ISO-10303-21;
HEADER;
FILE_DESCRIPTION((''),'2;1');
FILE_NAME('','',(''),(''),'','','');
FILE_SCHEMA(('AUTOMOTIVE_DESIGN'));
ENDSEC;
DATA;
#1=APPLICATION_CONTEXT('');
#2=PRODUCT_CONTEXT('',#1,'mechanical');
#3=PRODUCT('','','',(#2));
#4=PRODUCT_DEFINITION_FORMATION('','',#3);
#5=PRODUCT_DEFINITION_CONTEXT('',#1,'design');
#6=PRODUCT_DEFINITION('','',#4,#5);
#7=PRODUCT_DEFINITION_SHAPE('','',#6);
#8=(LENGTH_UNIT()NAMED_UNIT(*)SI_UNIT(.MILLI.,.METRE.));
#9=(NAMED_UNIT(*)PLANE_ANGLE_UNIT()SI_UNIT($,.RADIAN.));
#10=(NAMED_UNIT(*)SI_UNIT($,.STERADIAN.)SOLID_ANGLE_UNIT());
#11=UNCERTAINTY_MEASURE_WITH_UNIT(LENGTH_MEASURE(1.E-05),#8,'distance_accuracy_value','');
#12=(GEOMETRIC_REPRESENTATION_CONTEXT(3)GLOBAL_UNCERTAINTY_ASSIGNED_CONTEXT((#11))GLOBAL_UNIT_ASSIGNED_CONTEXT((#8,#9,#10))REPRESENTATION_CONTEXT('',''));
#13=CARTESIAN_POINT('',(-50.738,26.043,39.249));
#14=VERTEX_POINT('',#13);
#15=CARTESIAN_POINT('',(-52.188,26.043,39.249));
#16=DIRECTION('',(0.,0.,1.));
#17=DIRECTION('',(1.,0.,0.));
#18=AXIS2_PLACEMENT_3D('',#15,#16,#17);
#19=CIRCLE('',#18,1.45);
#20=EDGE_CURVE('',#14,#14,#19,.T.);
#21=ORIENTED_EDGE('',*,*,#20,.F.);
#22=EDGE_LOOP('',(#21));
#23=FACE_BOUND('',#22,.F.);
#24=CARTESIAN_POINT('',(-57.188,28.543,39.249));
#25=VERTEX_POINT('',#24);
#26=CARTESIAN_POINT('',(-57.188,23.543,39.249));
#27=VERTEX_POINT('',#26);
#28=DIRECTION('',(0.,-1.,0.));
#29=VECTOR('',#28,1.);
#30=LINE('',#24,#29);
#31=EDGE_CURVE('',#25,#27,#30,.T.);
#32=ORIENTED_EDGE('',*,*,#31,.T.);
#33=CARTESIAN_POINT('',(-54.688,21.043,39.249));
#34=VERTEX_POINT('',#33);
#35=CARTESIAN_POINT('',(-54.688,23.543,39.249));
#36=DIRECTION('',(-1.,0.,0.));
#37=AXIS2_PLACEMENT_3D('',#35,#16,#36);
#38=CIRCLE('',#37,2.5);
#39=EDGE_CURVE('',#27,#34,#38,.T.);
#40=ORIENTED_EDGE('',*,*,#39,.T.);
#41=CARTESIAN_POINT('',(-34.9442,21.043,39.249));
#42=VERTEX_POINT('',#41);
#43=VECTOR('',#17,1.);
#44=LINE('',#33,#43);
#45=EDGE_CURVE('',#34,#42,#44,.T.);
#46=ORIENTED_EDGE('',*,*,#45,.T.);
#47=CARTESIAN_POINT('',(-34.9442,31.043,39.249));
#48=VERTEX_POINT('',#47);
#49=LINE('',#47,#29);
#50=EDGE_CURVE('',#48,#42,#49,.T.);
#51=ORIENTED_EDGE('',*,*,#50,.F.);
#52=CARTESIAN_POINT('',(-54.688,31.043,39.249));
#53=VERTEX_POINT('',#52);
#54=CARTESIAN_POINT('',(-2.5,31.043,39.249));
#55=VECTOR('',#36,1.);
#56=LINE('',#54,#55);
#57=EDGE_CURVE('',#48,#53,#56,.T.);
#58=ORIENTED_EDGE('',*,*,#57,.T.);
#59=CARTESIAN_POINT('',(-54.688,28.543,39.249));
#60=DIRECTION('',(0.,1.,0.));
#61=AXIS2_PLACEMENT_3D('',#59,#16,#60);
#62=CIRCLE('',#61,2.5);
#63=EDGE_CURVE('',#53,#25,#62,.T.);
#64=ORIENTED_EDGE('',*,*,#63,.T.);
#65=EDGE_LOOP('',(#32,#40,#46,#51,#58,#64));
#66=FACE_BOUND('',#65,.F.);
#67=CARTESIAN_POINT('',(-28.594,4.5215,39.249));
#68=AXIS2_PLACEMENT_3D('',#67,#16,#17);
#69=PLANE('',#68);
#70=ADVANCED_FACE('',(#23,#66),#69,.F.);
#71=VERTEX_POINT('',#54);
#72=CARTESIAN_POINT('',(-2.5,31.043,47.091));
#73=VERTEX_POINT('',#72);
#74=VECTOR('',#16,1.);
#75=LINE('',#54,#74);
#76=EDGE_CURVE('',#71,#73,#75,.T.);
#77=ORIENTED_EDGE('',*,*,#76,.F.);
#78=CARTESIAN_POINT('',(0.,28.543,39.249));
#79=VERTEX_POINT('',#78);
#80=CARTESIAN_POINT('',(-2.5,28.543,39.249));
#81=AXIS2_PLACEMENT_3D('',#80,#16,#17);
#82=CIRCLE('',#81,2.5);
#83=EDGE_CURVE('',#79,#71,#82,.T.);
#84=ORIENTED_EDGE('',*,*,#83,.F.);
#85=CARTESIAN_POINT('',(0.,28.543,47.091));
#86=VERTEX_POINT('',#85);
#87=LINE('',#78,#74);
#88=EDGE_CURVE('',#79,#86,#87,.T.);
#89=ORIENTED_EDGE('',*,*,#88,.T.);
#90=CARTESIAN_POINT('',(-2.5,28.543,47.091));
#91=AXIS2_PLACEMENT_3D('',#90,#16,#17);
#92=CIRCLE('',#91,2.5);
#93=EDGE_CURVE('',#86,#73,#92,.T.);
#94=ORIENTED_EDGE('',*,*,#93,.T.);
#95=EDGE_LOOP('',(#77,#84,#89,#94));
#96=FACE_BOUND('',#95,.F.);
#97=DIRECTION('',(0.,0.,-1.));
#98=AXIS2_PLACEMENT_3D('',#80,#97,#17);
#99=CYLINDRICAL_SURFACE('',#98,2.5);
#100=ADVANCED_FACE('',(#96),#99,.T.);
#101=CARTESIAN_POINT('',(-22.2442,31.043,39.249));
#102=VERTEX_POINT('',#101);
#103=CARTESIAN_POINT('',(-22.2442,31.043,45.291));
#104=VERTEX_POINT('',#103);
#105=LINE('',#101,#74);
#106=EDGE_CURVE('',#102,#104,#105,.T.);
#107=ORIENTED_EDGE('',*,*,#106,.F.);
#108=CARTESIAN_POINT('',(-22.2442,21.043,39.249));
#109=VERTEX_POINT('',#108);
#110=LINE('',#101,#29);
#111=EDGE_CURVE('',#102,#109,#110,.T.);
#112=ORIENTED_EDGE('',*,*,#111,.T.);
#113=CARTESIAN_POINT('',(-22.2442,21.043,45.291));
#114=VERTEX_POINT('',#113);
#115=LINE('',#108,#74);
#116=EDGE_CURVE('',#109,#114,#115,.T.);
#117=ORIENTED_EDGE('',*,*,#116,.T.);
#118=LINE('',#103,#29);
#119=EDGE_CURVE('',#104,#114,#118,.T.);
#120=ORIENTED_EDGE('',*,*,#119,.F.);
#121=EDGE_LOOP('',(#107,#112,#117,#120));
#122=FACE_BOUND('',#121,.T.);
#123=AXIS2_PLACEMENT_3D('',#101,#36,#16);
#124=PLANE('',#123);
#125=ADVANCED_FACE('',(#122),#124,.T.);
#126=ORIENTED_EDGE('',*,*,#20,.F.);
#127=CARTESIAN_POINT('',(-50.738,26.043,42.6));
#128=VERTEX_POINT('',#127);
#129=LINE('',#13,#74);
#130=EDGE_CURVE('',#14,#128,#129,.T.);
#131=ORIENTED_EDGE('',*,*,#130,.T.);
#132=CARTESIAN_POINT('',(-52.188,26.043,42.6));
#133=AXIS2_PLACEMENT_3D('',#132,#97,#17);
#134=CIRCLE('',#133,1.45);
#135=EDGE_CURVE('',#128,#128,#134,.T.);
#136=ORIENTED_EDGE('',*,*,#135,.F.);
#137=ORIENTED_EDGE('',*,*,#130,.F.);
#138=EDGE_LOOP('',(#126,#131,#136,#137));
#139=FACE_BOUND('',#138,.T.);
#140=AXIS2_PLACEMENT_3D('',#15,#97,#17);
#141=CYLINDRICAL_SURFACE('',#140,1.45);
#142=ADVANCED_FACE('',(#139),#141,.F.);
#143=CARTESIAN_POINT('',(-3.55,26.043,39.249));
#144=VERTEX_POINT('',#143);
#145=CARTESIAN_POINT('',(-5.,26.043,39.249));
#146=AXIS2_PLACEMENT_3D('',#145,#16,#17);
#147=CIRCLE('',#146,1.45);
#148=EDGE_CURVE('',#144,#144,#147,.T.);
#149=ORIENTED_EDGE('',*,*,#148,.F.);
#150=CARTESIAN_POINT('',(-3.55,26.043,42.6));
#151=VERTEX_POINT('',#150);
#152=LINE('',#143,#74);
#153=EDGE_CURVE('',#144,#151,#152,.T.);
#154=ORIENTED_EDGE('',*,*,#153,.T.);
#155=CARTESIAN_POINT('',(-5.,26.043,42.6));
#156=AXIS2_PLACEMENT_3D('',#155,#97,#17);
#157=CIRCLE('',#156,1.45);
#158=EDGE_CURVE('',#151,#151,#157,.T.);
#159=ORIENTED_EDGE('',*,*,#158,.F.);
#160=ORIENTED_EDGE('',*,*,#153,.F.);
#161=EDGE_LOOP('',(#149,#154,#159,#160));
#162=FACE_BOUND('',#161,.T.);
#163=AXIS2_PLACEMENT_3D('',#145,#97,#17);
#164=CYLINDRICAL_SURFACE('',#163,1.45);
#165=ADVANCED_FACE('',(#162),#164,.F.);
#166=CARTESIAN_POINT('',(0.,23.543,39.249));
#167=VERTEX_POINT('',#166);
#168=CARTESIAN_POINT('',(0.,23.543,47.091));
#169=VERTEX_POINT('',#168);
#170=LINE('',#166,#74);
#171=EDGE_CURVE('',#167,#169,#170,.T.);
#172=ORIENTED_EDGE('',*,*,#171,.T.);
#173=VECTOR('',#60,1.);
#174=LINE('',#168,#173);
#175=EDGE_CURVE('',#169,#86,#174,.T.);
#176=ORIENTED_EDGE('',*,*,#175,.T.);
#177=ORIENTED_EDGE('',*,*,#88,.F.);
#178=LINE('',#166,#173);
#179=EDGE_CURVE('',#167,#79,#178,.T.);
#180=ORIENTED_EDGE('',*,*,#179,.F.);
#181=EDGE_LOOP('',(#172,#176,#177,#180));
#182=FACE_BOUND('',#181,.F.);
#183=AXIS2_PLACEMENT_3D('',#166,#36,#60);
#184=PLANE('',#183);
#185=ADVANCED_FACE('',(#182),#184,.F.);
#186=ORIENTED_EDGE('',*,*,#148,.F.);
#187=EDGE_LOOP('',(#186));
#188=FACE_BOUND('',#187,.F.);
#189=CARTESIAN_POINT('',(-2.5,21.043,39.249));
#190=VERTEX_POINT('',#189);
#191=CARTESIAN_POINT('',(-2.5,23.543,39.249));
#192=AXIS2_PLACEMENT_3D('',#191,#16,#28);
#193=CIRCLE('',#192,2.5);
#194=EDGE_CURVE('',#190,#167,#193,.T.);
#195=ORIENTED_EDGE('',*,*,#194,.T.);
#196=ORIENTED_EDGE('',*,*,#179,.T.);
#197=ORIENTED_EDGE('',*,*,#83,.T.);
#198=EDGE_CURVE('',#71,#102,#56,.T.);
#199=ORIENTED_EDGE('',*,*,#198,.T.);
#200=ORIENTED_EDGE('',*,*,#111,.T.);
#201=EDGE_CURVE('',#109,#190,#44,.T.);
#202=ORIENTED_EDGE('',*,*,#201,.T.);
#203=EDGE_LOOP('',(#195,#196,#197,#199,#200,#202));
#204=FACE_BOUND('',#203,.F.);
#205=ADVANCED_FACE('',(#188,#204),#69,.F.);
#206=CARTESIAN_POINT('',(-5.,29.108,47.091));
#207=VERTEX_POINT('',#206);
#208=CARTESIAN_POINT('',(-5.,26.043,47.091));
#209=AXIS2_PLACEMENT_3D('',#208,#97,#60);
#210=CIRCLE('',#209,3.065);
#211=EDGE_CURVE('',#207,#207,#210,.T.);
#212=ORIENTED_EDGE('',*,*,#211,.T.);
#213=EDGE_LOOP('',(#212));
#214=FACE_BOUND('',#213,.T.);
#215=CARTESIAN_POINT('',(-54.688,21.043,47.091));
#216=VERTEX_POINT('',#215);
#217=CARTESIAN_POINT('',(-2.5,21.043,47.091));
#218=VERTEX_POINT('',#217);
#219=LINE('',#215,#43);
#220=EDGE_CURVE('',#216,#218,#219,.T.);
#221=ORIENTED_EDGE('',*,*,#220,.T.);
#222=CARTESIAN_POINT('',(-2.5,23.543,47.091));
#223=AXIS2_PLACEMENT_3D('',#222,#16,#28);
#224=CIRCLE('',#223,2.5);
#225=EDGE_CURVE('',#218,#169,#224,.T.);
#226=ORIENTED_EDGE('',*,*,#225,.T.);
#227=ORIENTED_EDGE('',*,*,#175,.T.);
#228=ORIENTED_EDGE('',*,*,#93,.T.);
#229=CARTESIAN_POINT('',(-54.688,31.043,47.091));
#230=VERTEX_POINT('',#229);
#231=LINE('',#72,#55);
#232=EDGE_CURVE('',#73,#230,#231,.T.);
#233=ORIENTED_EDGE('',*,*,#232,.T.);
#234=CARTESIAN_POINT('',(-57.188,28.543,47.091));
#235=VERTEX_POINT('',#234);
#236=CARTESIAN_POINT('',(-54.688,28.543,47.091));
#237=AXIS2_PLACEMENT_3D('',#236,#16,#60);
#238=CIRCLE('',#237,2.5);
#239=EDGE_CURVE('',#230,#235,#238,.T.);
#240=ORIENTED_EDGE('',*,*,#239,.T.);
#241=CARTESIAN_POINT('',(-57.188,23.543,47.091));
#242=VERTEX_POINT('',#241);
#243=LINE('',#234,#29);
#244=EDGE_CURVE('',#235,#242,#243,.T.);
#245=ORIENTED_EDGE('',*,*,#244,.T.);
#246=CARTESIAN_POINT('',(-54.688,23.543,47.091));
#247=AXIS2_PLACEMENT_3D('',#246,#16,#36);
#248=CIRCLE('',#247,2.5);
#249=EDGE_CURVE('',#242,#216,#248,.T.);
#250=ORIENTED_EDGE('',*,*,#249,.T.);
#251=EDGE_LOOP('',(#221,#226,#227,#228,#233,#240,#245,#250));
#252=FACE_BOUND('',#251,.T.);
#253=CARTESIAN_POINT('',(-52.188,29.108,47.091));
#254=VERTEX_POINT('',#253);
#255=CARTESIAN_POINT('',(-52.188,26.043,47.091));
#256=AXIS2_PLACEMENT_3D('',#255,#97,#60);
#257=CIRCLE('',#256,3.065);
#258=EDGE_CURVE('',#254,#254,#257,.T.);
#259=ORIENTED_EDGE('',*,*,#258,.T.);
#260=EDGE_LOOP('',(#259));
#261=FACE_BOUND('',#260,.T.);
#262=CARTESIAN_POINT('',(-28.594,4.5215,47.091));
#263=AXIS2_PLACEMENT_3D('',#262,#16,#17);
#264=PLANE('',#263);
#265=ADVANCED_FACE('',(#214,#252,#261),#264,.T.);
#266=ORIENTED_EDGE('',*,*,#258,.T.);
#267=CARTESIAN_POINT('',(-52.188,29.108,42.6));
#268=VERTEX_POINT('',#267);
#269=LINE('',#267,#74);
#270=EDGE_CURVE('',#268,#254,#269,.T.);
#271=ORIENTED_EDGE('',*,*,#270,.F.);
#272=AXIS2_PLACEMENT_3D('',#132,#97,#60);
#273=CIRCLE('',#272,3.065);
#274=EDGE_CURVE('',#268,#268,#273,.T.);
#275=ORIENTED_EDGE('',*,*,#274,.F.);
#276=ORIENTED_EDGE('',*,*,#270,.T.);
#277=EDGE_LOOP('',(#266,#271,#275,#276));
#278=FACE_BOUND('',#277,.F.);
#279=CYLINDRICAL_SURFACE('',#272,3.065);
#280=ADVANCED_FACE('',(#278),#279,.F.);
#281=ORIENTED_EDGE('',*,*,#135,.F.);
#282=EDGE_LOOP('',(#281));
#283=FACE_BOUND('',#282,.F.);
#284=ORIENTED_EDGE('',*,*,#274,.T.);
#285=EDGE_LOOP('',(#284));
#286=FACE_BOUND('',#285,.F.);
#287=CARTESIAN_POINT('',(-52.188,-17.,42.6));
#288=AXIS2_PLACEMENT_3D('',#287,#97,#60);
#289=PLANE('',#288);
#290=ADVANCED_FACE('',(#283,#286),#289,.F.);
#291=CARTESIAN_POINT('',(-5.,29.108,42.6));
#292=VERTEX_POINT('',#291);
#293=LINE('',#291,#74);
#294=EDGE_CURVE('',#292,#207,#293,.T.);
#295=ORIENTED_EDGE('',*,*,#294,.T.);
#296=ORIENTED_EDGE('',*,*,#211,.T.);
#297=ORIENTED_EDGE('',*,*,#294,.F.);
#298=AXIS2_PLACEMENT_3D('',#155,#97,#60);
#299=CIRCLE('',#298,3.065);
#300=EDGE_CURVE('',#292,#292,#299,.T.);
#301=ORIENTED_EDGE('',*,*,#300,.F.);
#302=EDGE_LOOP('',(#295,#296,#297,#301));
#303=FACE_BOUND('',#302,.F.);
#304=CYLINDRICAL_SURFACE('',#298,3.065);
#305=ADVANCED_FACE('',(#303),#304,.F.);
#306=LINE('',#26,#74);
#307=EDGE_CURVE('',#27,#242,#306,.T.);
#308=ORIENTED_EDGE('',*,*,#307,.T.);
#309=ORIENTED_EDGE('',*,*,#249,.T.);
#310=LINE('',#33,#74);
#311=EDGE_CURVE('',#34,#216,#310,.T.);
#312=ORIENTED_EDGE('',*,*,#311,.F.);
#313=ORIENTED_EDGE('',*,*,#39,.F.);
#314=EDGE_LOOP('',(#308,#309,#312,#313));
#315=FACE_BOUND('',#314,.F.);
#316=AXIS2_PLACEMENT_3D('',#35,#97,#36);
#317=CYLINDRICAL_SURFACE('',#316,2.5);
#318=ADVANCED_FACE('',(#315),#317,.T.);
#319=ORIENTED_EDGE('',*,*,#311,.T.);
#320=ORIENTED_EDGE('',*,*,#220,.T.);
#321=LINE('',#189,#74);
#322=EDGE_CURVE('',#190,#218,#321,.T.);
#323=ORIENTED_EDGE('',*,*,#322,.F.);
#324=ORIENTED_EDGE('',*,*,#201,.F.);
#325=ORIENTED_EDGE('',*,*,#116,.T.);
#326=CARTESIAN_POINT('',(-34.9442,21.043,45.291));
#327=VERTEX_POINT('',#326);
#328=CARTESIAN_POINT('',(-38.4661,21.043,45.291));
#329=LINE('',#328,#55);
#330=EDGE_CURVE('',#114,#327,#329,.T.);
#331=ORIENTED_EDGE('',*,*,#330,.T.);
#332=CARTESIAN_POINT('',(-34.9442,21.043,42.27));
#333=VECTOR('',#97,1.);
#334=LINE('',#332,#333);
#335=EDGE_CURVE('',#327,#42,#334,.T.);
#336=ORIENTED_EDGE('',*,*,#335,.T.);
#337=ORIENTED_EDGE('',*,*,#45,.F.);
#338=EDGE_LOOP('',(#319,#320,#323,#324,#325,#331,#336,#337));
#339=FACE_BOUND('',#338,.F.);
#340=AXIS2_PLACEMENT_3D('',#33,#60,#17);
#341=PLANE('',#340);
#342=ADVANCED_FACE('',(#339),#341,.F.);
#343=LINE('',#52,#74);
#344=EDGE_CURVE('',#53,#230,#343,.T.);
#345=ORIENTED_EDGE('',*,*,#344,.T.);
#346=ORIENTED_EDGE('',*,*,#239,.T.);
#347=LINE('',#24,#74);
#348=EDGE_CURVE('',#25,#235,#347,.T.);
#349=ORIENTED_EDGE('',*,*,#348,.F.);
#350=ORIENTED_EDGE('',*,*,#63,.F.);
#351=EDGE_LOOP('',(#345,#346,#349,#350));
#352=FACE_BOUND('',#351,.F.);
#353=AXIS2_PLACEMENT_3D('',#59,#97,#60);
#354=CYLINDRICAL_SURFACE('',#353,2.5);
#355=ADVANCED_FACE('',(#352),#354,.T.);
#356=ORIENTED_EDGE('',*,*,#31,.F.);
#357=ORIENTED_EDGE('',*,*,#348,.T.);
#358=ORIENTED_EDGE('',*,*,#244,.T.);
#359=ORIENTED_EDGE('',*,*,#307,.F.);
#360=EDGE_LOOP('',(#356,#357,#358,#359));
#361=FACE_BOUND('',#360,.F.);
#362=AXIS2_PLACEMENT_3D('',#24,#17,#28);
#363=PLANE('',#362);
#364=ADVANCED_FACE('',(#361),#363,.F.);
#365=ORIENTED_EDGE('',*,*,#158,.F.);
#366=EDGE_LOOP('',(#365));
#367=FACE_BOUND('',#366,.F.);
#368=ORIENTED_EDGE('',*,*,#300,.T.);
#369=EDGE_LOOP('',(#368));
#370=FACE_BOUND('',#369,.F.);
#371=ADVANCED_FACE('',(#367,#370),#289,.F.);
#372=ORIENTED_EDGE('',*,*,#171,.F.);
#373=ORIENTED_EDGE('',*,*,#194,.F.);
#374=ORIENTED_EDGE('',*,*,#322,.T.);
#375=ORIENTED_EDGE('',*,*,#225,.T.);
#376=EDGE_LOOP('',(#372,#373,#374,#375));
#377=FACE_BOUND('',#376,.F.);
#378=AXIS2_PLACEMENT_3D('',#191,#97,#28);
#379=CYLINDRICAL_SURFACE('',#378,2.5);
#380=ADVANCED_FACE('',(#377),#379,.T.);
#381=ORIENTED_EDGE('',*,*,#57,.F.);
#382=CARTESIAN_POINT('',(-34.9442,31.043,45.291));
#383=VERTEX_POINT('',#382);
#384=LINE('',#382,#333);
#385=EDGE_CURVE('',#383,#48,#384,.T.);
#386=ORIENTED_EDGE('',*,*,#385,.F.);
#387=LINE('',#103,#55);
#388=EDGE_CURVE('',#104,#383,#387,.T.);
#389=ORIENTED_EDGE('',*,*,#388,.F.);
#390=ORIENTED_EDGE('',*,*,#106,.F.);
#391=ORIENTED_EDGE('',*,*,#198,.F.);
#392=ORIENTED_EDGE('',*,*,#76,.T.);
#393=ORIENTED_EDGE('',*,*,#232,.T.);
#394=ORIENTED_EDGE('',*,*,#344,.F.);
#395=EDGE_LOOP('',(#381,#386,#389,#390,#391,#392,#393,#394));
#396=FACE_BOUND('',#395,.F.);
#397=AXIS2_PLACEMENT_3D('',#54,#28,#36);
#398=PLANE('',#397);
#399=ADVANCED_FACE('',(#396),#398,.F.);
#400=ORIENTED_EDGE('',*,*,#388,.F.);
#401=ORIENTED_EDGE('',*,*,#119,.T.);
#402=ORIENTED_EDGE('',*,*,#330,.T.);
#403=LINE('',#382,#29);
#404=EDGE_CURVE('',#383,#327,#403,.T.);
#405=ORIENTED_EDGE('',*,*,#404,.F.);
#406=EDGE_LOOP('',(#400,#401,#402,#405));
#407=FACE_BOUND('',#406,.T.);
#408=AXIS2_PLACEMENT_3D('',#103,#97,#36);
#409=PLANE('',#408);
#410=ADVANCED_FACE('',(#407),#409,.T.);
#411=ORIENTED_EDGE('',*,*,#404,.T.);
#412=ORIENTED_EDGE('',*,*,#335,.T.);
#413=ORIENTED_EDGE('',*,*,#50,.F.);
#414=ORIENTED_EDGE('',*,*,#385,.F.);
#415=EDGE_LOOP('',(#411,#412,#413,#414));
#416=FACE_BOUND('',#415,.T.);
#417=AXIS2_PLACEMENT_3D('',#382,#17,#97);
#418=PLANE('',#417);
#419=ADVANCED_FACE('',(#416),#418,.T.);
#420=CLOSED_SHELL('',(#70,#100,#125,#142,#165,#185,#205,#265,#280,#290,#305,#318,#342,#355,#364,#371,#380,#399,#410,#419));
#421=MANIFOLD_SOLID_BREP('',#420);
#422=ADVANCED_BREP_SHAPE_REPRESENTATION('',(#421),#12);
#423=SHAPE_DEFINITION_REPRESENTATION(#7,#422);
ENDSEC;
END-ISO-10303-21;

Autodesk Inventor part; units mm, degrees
ref_plane "YZ Plane" through (0, 0, 0) normal (1, 0, 0) x (0, 1, 0)
ref_plane "XZ Plane" through (0, 0, 0) normal (0, 1, 0) x (-1, 0, 0)
ref_plane "XY Plane" through (0, 0, 0) normal (0, 0, 1) x (1, 0, 0)
ref_plane "Work Plane1" through (-28.594, 4.5215, 39.249) normal (0, 0, 1) x (1, 0, 0)
sketch "Sketch1" plane through (-28.594, 4.5215, 39.249) normal (0, 0, 1) x (1, 0, 0)
  circle A0 centre (23.594, 21.5215) radius 1.45 projected
  circle A1 centre (-23.594, 21.5215) radius 1.45 projected
  circle A2 centre (23.594, 21.5215) radius 1.45 projected
  arc A3 (-26.094, 26.5215) -> (-28.594, 24.0215) centre (-26.094, 24.0215) ccw projected
  line L0 (26.094, 26.5215) -> (-26.094, 26.5215) projected
  arc A4 (28.594, 24.0215) -> (26.094, 26.5215) centre (26.094, 24.0215) ccw projected
  line L1 (28.594, 19.0215) -> (28.594, 24.0215) projected
  arc A5 (26.094, 16.5215) -> (28.594, 19.0215) centre (26.094, 19.0215) ccw projected
  line L2 (-26.094, 16.5215) -> (26.094, 16.5215) projected
  arc A6 (-28.594, 19.0215) -> (-26.094, 16.5215) centre (-26.094, 19.0215) ccw projected
  line L3 (-28.594, 24.0215) -> (-28.594, 19.0215) projected
  circle A7 centre (-23.594, 21.5215) radius 1.45 projected
  point P0 (28.594, -4.5215)
extrude "Extrusion1" add sketch "Sketch1" along normal blind 7.842
sketch "Sketch2" plane through (-54.688, 31.043, 39.249) normal (0, 1, 0) x (1, 0, 0)
  line L0 (32.3438, -5.842) -> (19.8438, -5.842) construction
  line L1 (19.8438, -5.842) -> (19.8438, 0) construction
  line L2 (19.8438, 0) -> (32.3438, 0) construction
  line L3 (32.3438, 0) -> (32.3438, -5.842) construction
  line L4 (52.188, 0) -> (0, 0) projected
  line L5 (32.4438, 0) -> (32.4438, -6.042)
  line L6 (32.4438, -6.042) -> (19.7438, -6.042)
  line L7 (19.7438, -6.042) -> (19.7438, 0)
  point P0 (54.688, 39.249)
  dimension "d2" = 0.1
  dimension "d3" = 0.1
  dimension "d4" = 0.2
extrude "Extrusion2" cut sketch "Sketch2" against normal blind 12.908
ref_plane "Work Plane2" through (-52.188, -17, 42.6) normal (0, 0, -1) x (0, 1, 0)
sketch "Sketch3" plane through (-52.188, -17, 42.6) normal (0, 0, -1) x (0, 1, 0)
  line L0 (45.543, -5) -> (40.543, -5) projected
  arc A0 (38.043, -2.5) -> (40.543, -5) centre (40.543, -2.5) ccw projected
  line L1 (38.043, -2.5) -> (38.043, 49.688) projected
  arc A1 (40.543, 52.188) -> (38.043, 49.688) centre (40.543, 49.688) ccw projected
  line L2 (40.543, 52.188) -> (45.543, 52.188) projected
  arc A2 (48.043, 49.688) -> (45.543, 52.188) centre (45.543, 49.688) ccw projected
  line L3 (48.043, 49.688) -> (48.043, -2.5) projected
  arc A3 (45.543, -5) -> (48.043, -2.5) centre (45.543, -2.5) ccw projected
  circle A4 centre (43.043, 47.188) radius 1.45 projected
  circle A5 centre (43.043, 0) radius 1.45 projected
  circle A6 centre (0, 47.188) radius 3.065 projected
  circle A7 centre (43.043, 47.188) radius 3.065 projected
  circle A8 centre (43.043, 0) radius 3.065 projected
  point P0 (17, 52.188)
extrude "Extrusion3" cut sketch "Sketch3" against normal blind 12.908 contours A4 | A5 | A7 | A8
properties part number "connectorHolder_V6"
